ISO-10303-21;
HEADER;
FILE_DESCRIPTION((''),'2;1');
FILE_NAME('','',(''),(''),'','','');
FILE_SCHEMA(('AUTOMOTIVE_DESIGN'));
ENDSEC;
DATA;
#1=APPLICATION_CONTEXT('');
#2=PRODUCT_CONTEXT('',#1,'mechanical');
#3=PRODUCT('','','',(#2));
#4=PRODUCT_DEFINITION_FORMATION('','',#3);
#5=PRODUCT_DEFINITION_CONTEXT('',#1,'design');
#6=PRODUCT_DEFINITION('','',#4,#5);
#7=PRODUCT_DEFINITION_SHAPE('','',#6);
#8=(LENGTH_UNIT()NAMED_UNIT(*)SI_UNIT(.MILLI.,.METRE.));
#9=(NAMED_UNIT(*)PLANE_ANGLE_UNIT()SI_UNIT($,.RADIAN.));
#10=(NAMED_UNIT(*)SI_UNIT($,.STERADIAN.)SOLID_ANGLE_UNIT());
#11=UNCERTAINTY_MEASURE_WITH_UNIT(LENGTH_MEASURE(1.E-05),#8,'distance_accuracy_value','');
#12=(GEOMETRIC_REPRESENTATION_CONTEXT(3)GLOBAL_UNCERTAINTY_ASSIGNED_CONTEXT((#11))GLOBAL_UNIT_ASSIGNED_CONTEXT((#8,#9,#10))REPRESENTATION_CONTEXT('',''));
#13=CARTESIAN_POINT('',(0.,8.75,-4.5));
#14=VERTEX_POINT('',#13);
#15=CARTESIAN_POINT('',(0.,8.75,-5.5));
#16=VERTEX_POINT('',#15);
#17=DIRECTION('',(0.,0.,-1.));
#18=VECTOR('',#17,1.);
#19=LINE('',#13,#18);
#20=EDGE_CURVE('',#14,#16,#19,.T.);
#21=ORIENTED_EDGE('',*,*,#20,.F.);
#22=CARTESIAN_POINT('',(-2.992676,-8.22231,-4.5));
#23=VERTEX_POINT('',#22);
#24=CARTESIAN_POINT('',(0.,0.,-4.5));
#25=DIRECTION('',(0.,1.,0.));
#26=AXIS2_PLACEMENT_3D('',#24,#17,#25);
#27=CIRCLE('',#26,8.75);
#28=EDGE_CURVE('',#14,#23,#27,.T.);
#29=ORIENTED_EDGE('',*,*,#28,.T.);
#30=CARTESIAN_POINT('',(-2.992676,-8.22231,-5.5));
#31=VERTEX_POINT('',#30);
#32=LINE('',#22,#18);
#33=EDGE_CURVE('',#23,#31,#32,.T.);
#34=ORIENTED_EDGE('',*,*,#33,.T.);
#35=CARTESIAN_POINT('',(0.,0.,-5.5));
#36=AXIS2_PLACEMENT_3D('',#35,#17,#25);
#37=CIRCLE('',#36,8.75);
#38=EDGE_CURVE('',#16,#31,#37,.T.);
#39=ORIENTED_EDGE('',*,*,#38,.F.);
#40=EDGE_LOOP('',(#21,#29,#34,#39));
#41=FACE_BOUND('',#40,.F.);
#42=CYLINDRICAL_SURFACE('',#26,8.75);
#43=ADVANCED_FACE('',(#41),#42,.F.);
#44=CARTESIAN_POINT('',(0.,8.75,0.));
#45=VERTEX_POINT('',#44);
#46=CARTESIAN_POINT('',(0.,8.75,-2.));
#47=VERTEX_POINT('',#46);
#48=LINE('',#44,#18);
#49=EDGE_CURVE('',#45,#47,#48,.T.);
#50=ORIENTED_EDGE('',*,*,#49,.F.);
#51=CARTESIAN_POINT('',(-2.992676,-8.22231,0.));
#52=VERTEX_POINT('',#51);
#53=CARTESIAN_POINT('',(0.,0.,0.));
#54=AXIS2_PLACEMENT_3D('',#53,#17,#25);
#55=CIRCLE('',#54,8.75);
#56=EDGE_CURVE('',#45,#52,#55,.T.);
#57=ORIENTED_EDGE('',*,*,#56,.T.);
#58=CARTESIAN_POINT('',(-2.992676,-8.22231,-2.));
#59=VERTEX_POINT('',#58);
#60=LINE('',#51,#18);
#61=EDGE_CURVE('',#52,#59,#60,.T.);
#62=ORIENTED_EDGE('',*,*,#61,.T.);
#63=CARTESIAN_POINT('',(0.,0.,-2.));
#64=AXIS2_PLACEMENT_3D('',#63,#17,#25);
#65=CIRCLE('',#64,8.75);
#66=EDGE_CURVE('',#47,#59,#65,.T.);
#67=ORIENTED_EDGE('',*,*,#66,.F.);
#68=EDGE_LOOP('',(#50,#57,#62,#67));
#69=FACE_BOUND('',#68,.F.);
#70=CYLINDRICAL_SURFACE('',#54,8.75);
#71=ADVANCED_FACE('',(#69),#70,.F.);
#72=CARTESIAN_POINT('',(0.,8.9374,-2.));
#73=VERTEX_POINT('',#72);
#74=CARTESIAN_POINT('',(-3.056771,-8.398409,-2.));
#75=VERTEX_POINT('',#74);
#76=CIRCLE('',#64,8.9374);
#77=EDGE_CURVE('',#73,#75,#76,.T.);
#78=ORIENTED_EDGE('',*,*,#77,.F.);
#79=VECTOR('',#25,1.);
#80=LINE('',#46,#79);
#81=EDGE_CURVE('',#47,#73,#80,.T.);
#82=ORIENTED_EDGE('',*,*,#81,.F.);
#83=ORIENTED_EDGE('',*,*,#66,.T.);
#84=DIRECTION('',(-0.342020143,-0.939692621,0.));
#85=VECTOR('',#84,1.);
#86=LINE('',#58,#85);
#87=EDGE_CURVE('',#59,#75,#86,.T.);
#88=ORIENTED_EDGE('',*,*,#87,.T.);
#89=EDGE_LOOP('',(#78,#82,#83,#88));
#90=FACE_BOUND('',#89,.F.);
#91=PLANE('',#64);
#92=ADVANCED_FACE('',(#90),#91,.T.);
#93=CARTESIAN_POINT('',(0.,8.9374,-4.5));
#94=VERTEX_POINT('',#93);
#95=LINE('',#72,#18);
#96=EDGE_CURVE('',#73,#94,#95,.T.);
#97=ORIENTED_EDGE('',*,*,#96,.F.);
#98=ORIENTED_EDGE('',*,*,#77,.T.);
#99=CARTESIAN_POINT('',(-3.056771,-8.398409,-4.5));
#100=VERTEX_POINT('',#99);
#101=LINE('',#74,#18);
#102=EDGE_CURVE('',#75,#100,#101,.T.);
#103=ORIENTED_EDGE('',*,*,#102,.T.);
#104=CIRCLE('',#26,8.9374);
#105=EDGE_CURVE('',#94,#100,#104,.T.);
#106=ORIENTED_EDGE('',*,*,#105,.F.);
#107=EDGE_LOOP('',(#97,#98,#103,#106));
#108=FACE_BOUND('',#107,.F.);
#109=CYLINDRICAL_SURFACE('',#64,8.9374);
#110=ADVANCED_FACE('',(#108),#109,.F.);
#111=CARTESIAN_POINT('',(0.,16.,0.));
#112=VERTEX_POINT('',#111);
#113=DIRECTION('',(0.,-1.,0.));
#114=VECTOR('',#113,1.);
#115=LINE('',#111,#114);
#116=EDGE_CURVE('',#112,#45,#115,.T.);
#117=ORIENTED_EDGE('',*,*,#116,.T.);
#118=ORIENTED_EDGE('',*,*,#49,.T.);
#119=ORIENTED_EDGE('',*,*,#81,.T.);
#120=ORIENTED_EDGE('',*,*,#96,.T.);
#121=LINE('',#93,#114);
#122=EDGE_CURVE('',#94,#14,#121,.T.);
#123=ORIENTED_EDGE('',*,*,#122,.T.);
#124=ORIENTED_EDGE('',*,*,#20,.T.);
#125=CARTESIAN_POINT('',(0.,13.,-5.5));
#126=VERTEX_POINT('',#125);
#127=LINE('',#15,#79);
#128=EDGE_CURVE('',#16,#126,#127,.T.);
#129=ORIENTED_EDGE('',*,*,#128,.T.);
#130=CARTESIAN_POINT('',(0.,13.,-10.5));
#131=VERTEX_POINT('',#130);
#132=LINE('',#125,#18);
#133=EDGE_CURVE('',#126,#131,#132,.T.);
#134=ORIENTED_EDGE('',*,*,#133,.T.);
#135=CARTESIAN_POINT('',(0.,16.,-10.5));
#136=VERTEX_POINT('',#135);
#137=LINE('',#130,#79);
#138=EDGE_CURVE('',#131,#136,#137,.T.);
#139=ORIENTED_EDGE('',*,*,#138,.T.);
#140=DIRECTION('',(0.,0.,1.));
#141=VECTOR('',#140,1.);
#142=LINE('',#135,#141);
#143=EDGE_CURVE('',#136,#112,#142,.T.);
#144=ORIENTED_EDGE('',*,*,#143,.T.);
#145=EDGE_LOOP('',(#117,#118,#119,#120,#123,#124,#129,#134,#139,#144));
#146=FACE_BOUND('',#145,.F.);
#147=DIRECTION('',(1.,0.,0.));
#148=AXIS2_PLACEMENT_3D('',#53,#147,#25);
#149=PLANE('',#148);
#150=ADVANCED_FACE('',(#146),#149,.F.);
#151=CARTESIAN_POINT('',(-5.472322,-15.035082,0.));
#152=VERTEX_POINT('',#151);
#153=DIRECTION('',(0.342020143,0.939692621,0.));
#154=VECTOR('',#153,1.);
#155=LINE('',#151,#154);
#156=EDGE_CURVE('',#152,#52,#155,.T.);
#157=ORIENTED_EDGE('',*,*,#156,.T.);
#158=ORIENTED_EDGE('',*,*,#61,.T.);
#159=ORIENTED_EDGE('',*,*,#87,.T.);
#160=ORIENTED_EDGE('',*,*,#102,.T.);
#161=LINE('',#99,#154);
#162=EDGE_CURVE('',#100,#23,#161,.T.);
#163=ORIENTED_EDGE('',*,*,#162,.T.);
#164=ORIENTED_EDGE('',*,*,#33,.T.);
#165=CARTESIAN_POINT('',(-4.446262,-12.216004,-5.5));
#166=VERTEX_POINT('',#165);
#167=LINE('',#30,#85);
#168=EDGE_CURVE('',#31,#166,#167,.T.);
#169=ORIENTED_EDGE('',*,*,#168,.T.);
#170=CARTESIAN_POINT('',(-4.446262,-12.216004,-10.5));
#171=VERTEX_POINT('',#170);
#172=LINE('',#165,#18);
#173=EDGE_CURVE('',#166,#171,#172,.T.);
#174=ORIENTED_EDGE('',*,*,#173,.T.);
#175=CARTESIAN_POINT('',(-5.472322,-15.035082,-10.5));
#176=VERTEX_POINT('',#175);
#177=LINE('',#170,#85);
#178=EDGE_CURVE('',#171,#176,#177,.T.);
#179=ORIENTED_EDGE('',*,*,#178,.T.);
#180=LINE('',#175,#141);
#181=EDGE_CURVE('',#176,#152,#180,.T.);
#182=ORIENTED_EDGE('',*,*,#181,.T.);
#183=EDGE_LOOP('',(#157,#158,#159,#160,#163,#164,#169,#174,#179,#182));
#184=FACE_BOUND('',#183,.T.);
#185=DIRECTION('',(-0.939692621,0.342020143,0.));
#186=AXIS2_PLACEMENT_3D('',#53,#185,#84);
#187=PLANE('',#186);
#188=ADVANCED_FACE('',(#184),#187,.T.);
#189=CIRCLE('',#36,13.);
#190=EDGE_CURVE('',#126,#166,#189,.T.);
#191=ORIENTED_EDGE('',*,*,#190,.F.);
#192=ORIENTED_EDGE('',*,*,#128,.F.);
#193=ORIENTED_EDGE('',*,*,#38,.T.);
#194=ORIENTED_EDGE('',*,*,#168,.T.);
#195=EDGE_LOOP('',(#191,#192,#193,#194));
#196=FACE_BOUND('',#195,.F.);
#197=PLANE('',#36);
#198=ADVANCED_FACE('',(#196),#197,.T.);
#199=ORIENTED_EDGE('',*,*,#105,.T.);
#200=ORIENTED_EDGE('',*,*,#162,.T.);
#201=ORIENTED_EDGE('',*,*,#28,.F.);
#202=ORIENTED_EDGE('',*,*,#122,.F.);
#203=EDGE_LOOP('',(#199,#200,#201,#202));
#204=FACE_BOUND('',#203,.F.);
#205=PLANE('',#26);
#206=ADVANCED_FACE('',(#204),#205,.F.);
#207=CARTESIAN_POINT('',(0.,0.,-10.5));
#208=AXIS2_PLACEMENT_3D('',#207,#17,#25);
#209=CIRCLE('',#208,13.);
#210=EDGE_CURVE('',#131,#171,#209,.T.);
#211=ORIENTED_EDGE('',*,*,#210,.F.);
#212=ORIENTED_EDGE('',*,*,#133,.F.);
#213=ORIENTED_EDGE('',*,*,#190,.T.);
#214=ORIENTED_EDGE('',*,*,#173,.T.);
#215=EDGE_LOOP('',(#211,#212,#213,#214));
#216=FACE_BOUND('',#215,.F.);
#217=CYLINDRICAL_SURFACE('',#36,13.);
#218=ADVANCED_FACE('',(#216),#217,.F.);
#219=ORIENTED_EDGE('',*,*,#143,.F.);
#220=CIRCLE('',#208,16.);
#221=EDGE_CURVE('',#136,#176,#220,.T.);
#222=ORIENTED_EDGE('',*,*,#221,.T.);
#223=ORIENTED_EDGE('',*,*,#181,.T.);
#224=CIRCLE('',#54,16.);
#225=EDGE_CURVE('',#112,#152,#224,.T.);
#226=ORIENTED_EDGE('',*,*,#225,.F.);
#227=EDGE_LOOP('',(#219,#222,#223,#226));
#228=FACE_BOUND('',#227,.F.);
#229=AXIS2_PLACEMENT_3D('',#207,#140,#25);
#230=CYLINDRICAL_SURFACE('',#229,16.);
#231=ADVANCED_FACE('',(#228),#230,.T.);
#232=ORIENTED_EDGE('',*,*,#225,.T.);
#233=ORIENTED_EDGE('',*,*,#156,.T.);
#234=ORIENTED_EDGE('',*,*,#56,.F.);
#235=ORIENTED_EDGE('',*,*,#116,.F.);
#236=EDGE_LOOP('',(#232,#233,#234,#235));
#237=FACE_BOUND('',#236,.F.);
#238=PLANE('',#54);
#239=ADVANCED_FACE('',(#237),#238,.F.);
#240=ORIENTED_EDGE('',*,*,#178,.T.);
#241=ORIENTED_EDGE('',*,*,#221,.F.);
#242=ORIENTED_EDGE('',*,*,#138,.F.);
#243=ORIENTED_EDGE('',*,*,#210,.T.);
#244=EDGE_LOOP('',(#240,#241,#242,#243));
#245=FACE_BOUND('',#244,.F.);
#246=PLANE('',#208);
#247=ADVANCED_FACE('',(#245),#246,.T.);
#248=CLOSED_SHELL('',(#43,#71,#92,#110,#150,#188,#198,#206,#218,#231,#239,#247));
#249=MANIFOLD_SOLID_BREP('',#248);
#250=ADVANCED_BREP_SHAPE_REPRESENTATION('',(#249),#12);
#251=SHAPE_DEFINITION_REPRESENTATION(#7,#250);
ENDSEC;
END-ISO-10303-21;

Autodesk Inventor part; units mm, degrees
ref_plane "YZ Plane" through (0, 0, 0) normal (1, 0, 0) x (0, 1, 0)
ref_plane "XZ Plane" through (0, 0, 0) normal (0, 1, 0) x (-1, 0, 0)
ref_plane "XY Plane" through (0, 0, 0) normal (0, 0, 1) x (1, 0, 0)
sketch "Sketch1" plane through (0, 0, 0) normal (1, 0, 0) x (0, 1, 0)
  line L0 (0, 0) -> (8.75, 0) construction
  line L1 (8.75, 0) -> (8.75, -2)
  line L2 (8.75, -2) -> (8.9374, -2)
  line L3 (8.9374, -2) -> (8.9374, -4.5)
  line L4 (8.9374, -4.5) -> (8.75, -4.5)
  line L5 (8.75, -4.5) -> (8.75, -5.5)
  line L6 (8.75, -5.5) -> (13, -5.5)
  line L7 (13, -5.5) -> (13, -10.5)
  line L8 (13, -10.5) -> (16, -10.5)
  line L9 (16, -10.5) -> (16, 0)
  line L10 (16, 0) -> (8.75, 0)
  line L11 (0, 0) -> (0, -14.519)
  dimension "d0" = 8.75
  dimension "d1" = 2
  dimension "d2" = 2.5
  dimension "d3" = 1
  dimension "d4" = 5
  dimension "d5" = 13
  dimension "d8" = 16
revolve "Revolution1" add sketch "Sketch1" angle 200 about axis through (0, 0, 0) along (0, 0, -1)
properties part number "00_Adapter_M8_Fluorescentfilter_Cellphone"
